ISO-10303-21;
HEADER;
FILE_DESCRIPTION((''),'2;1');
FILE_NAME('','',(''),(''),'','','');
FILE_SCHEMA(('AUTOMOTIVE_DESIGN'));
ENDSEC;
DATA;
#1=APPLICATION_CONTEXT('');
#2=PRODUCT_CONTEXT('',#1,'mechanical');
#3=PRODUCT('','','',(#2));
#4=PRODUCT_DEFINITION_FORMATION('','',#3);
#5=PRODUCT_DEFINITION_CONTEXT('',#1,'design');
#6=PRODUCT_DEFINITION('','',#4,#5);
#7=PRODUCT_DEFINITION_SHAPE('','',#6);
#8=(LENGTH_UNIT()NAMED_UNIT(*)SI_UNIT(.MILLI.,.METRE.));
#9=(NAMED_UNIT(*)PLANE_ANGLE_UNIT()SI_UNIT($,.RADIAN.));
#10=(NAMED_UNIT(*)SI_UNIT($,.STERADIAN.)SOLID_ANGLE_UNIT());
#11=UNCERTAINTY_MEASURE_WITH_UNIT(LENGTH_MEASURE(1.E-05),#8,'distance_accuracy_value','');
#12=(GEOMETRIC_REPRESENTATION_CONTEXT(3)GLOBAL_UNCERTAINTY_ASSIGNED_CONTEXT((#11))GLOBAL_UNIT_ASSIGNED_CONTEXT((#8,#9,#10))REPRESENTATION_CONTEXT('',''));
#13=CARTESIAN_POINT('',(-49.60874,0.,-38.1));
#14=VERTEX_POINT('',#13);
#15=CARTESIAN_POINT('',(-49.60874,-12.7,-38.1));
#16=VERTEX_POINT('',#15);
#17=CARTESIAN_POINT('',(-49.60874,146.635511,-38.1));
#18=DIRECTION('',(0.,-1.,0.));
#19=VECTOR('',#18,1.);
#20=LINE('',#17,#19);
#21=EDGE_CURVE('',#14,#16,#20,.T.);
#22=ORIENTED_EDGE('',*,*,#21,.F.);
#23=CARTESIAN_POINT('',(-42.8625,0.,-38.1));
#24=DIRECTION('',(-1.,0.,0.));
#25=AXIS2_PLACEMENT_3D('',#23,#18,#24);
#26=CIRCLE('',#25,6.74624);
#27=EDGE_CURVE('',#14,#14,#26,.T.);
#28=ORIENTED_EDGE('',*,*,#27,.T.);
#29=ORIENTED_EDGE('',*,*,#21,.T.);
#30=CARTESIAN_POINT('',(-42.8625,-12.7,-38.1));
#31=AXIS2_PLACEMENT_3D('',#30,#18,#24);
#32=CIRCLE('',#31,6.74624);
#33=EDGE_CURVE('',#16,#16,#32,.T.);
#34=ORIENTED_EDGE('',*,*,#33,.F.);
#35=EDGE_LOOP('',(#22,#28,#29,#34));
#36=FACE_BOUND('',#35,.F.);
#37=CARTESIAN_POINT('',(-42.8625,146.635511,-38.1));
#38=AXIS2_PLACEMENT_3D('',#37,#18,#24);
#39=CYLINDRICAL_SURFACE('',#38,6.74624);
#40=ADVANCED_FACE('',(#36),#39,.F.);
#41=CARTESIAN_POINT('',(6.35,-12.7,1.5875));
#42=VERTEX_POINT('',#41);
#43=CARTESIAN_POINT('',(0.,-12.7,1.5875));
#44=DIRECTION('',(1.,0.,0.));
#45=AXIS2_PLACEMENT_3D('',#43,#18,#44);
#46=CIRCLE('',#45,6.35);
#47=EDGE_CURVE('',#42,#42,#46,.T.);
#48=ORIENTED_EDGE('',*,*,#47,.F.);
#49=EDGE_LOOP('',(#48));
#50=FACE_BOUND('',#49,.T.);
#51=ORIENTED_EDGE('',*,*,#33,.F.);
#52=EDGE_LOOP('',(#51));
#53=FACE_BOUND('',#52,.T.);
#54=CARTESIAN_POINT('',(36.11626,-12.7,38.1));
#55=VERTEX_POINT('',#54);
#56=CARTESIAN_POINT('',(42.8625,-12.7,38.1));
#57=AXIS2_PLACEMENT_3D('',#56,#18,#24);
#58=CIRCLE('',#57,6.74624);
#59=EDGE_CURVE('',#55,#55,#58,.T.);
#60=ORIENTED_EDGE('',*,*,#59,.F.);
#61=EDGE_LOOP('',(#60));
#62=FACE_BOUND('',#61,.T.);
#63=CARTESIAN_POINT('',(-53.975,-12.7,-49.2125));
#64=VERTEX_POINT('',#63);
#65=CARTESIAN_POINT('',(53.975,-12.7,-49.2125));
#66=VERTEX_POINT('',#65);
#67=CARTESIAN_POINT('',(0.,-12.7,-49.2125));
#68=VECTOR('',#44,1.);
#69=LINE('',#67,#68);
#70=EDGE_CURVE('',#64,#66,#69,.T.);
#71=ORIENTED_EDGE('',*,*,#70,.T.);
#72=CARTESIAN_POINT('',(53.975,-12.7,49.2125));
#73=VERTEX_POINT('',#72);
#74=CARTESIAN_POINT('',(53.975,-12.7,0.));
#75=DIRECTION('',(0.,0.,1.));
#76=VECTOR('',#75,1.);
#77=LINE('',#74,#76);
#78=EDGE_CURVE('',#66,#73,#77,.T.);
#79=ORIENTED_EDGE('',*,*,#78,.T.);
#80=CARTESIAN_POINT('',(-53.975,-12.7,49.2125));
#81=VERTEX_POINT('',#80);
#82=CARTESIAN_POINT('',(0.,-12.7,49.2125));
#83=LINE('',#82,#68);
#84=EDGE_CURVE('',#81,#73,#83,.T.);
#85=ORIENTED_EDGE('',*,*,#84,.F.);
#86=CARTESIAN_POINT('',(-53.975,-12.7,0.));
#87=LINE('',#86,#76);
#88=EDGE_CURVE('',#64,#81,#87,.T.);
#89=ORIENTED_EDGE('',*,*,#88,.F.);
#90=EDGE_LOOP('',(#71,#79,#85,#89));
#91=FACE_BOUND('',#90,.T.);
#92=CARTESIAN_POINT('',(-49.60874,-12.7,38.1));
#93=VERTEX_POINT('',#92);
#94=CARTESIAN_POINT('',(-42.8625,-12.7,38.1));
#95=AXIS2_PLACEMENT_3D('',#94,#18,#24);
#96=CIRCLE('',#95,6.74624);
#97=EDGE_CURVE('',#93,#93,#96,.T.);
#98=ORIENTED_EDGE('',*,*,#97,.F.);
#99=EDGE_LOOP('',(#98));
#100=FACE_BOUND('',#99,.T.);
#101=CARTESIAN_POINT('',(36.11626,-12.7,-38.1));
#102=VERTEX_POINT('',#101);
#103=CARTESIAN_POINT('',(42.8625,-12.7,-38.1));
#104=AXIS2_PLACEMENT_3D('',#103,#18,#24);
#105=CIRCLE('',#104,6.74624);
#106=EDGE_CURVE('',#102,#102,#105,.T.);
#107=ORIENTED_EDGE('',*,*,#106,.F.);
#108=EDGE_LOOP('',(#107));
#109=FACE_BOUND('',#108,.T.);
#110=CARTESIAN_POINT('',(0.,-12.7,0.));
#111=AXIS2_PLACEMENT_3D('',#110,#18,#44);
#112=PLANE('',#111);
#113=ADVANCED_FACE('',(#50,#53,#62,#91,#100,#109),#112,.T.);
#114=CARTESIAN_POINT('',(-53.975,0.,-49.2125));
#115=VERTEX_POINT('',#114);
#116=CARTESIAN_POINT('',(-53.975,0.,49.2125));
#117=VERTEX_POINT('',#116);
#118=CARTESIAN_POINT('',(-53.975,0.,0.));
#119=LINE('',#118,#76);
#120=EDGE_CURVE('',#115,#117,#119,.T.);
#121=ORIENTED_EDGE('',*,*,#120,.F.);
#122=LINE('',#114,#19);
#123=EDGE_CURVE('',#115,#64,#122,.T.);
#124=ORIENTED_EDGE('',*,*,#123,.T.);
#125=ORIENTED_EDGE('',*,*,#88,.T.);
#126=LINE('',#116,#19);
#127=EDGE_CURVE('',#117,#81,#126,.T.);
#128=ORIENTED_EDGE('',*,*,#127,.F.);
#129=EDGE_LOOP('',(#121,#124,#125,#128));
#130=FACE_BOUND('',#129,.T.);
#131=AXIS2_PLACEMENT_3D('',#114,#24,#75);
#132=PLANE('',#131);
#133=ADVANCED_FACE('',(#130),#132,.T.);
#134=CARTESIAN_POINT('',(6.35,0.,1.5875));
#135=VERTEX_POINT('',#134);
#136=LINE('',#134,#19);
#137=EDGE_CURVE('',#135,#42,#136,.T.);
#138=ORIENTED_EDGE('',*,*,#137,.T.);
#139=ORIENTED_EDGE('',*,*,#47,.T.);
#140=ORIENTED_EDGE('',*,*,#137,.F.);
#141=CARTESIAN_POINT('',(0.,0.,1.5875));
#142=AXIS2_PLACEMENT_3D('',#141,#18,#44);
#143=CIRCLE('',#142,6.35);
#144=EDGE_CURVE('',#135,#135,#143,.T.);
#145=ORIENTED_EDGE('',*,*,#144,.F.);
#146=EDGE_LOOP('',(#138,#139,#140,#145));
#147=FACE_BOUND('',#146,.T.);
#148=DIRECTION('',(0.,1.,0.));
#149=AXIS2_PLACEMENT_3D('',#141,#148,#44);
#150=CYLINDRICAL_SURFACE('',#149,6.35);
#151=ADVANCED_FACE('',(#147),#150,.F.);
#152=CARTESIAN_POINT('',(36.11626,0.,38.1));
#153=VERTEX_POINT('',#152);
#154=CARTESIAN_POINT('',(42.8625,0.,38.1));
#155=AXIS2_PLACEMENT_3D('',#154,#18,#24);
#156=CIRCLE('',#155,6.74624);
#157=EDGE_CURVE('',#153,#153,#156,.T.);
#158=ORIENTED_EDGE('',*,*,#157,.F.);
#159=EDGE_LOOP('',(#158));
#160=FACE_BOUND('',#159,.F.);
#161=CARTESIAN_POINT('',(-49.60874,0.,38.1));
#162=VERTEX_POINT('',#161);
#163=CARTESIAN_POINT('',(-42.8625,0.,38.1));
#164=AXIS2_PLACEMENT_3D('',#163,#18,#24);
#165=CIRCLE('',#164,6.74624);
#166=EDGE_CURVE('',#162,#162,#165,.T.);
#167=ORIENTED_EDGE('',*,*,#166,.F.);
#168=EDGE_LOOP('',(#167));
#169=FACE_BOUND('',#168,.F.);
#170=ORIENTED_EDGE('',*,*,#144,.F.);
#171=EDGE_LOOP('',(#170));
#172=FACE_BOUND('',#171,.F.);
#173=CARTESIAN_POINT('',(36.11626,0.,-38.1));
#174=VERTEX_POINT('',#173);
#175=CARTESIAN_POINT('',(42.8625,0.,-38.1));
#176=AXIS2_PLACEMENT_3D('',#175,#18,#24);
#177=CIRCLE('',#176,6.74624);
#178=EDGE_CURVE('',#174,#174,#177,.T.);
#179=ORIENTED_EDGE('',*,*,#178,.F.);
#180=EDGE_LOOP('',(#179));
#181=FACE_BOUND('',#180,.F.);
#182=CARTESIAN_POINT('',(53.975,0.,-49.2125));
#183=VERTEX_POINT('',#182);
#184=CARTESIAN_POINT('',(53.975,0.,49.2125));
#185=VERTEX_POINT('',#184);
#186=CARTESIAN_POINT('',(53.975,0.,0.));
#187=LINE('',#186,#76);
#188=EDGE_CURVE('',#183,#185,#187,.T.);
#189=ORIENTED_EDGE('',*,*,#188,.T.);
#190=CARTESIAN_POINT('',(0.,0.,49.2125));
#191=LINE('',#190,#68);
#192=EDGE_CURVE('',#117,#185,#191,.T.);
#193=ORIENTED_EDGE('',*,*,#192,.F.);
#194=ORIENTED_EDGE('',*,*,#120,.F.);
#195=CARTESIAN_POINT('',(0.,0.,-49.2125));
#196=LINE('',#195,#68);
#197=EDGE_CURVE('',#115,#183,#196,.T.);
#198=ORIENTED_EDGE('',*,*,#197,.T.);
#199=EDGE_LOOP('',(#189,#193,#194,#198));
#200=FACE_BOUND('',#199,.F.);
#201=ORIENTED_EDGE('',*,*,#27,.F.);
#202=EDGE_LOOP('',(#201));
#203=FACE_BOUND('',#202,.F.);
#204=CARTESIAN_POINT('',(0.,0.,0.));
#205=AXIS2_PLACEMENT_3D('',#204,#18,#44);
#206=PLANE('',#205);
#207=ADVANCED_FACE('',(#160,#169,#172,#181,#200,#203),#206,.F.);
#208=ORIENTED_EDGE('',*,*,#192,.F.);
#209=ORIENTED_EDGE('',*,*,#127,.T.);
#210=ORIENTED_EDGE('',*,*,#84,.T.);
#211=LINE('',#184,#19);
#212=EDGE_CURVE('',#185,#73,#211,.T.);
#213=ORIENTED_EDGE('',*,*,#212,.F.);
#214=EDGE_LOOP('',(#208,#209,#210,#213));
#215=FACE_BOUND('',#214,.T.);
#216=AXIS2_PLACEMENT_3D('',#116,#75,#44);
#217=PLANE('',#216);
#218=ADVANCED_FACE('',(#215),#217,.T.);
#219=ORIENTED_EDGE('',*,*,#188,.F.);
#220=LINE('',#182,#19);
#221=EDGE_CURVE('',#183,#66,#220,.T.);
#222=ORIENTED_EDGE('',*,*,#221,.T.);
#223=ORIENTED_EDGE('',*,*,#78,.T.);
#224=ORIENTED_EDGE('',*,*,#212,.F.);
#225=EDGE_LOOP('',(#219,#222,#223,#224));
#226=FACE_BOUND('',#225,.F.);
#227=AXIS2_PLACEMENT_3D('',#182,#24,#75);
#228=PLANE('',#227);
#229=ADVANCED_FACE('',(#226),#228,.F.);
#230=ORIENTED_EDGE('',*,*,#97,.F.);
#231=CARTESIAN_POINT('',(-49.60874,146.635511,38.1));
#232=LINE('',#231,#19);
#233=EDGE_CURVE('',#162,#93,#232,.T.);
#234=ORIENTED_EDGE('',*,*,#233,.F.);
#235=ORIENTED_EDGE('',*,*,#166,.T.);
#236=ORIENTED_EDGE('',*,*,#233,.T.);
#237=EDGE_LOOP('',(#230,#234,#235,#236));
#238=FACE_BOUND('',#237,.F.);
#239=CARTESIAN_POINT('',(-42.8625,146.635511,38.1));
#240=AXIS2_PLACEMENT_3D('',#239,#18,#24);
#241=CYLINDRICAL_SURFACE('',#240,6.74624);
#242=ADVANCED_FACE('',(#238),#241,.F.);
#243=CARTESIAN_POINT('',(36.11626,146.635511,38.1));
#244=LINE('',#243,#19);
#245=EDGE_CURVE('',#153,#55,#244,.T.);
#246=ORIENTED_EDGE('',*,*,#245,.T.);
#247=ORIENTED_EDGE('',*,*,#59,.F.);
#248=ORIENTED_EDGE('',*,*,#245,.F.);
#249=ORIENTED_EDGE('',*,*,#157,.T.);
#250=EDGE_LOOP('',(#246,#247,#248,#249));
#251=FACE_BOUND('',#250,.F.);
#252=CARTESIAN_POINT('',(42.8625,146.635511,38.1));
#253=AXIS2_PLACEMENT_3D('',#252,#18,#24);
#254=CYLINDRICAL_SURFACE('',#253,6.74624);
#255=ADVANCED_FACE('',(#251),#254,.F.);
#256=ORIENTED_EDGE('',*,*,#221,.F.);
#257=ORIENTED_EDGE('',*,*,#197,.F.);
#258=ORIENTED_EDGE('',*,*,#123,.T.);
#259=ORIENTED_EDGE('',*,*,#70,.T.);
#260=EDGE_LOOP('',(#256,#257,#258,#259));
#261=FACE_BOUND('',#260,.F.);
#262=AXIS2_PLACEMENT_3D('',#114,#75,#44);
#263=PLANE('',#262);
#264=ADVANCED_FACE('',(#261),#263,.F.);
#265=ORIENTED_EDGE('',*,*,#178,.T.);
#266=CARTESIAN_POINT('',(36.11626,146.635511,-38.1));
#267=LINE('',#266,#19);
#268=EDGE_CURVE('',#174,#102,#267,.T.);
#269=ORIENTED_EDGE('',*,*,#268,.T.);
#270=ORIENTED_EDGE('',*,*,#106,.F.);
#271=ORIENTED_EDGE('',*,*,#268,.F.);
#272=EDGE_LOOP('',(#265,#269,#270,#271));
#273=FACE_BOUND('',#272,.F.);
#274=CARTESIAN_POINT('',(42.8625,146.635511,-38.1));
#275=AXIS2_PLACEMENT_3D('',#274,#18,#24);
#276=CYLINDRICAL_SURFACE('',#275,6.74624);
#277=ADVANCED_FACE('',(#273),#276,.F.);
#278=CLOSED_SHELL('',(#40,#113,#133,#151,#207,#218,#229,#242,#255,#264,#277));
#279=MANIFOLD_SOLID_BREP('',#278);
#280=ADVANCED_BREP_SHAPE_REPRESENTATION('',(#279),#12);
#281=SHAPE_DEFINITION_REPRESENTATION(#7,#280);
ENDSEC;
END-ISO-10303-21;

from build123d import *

# Parameters (mm, degrees)
F0_W     = 107.95
F0_H     = 98.425
F0_R     = 6.35
F1_DEPTH = 12.7
F2_D     = 13.49248


with BuildPart() as f1:
    # F0 (on Front) → F1 (new body)
    with BuildSketch(Plane.XZ):
        Rectangle(F0_W, F0_H)
        with Locations((0, 1.5875)):
            Circle(F0_R, mode=Mode.SUBTRACT)
    extrude(amount=F1_DEPTH)

    # F2 (through all)
    with Locations(Plane(origin=(0, 0, 0), x_dir=(1, 0, 0), z_dir=(0, 1, 0))):
        with Locations((-42.8625, -38.1), (42.8625, -38.1), (42.8625, 38.1), (-42.8625, 38.1)):
            Hole(F2_D / 2)


solid = f1.part
